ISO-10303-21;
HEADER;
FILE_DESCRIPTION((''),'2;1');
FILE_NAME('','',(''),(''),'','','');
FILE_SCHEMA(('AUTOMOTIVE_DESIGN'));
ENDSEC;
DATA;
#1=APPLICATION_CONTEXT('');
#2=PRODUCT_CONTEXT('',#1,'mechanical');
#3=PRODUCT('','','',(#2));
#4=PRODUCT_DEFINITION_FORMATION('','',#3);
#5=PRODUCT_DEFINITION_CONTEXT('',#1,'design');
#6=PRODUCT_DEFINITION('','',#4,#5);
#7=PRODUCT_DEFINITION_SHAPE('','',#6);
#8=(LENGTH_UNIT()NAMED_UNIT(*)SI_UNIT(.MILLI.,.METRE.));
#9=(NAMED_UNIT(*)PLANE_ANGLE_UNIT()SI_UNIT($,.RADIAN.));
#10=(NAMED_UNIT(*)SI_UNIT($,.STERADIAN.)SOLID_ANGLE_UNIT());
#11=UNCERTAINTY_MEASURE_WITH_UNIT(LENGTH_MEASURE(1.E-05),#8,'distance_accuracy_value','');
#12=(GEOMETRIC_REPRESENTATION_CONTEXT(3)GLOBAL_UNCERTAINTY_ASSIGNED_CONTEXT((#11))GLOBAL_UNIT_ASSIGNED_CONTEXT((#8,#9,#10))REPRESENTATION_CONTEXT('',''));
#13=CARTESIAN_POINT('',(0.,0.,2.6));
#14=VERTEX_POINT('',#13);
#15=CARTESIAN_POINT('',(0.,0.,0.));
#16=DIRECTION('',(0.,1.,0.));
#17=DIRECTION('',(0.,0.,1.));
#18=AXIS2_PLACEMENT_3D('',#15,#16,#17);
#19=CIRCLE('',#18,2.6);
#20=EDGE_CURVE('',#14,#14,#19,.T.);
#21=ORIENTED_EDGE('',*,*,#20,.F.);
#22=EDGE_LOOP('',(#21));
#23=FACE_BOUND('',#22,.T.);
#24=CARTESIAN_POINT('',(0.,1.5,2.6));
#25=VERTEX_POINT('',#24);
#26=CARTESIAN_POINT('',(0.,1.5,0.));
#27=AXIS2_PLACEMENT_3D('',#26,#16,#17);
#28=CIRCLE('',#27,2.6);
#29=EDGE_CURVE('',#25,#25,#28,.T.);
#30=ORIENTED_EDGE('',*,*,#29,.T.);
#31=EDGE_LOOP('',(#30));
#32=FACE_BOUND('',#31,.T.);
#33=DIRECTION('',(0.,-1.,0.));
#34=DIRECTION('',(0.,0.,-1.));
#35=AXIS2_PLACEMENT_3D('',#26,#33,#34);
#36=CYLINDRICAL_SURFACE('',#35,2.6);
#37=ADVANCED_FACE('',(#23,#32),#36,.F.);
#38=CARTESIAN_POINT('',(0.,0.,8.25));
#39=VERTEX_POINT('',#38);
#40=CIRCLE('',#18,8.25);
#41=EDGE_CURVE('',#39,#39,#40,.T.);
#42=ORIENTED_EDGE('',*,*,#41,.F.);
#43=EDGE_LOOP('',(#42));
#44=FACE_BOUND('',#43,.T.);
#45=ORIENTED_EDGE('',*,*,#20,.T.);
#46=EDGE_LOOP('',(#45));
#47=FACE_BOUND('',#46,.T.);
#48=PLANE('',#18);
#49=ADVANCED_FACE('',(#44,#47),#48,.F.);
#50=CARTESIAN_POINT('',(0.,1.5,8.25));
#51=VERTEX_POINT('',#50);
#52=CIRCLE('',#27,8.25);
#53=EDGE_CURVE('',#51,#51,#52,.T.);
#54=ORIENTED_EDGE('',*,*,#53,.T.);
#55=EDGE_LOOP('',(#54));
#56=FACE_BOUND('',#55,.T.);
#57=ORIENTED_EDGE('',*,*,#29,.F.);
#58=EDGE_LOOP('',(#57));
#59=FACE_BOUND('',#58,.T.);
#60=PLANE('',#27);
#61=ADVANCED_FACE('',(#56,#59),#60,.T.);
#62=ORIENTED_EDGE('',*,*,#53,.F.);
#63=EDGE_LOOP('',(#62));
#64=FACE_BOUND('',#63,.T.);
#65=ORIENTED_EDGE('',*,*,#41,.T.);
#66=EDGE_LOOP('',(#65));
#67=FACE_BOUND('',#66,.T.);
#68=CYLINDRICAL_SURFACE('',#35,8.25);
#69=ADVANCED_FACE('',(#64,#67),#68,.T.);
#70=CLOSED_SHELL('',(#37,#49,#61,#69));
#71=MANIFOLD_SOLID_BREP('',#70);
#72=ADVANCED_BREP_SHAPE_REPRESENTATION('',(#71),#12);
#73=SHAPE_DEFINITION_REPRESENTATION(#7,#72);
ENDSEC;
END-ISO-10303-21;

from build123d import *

# Parameters (mm, degrees)
SKETCH1_R   = 8.25
SKETCH1_R_2 = 2.6
BODY_DEPTH  = 1.5


with BuildPart() as part:
    # Sketch1 → body (new body)
    with BuildSketch(Plane(origin=(0, 0, 0), x_dir=(1, 0, 0), z_dir=(0, 1, 0))):
        with Locations(Location((0, 0, 0), (0, 0, 270))):
            Circle(SKETCH1_R)
        with Locations(Location((0, 0, 0), (0, 0, 270))):
            Circle(SKETCH1_R_2, mode=Mode.SUBTRACT)
    extrude(amount=BODY_DEPTH)


solid = part.part
